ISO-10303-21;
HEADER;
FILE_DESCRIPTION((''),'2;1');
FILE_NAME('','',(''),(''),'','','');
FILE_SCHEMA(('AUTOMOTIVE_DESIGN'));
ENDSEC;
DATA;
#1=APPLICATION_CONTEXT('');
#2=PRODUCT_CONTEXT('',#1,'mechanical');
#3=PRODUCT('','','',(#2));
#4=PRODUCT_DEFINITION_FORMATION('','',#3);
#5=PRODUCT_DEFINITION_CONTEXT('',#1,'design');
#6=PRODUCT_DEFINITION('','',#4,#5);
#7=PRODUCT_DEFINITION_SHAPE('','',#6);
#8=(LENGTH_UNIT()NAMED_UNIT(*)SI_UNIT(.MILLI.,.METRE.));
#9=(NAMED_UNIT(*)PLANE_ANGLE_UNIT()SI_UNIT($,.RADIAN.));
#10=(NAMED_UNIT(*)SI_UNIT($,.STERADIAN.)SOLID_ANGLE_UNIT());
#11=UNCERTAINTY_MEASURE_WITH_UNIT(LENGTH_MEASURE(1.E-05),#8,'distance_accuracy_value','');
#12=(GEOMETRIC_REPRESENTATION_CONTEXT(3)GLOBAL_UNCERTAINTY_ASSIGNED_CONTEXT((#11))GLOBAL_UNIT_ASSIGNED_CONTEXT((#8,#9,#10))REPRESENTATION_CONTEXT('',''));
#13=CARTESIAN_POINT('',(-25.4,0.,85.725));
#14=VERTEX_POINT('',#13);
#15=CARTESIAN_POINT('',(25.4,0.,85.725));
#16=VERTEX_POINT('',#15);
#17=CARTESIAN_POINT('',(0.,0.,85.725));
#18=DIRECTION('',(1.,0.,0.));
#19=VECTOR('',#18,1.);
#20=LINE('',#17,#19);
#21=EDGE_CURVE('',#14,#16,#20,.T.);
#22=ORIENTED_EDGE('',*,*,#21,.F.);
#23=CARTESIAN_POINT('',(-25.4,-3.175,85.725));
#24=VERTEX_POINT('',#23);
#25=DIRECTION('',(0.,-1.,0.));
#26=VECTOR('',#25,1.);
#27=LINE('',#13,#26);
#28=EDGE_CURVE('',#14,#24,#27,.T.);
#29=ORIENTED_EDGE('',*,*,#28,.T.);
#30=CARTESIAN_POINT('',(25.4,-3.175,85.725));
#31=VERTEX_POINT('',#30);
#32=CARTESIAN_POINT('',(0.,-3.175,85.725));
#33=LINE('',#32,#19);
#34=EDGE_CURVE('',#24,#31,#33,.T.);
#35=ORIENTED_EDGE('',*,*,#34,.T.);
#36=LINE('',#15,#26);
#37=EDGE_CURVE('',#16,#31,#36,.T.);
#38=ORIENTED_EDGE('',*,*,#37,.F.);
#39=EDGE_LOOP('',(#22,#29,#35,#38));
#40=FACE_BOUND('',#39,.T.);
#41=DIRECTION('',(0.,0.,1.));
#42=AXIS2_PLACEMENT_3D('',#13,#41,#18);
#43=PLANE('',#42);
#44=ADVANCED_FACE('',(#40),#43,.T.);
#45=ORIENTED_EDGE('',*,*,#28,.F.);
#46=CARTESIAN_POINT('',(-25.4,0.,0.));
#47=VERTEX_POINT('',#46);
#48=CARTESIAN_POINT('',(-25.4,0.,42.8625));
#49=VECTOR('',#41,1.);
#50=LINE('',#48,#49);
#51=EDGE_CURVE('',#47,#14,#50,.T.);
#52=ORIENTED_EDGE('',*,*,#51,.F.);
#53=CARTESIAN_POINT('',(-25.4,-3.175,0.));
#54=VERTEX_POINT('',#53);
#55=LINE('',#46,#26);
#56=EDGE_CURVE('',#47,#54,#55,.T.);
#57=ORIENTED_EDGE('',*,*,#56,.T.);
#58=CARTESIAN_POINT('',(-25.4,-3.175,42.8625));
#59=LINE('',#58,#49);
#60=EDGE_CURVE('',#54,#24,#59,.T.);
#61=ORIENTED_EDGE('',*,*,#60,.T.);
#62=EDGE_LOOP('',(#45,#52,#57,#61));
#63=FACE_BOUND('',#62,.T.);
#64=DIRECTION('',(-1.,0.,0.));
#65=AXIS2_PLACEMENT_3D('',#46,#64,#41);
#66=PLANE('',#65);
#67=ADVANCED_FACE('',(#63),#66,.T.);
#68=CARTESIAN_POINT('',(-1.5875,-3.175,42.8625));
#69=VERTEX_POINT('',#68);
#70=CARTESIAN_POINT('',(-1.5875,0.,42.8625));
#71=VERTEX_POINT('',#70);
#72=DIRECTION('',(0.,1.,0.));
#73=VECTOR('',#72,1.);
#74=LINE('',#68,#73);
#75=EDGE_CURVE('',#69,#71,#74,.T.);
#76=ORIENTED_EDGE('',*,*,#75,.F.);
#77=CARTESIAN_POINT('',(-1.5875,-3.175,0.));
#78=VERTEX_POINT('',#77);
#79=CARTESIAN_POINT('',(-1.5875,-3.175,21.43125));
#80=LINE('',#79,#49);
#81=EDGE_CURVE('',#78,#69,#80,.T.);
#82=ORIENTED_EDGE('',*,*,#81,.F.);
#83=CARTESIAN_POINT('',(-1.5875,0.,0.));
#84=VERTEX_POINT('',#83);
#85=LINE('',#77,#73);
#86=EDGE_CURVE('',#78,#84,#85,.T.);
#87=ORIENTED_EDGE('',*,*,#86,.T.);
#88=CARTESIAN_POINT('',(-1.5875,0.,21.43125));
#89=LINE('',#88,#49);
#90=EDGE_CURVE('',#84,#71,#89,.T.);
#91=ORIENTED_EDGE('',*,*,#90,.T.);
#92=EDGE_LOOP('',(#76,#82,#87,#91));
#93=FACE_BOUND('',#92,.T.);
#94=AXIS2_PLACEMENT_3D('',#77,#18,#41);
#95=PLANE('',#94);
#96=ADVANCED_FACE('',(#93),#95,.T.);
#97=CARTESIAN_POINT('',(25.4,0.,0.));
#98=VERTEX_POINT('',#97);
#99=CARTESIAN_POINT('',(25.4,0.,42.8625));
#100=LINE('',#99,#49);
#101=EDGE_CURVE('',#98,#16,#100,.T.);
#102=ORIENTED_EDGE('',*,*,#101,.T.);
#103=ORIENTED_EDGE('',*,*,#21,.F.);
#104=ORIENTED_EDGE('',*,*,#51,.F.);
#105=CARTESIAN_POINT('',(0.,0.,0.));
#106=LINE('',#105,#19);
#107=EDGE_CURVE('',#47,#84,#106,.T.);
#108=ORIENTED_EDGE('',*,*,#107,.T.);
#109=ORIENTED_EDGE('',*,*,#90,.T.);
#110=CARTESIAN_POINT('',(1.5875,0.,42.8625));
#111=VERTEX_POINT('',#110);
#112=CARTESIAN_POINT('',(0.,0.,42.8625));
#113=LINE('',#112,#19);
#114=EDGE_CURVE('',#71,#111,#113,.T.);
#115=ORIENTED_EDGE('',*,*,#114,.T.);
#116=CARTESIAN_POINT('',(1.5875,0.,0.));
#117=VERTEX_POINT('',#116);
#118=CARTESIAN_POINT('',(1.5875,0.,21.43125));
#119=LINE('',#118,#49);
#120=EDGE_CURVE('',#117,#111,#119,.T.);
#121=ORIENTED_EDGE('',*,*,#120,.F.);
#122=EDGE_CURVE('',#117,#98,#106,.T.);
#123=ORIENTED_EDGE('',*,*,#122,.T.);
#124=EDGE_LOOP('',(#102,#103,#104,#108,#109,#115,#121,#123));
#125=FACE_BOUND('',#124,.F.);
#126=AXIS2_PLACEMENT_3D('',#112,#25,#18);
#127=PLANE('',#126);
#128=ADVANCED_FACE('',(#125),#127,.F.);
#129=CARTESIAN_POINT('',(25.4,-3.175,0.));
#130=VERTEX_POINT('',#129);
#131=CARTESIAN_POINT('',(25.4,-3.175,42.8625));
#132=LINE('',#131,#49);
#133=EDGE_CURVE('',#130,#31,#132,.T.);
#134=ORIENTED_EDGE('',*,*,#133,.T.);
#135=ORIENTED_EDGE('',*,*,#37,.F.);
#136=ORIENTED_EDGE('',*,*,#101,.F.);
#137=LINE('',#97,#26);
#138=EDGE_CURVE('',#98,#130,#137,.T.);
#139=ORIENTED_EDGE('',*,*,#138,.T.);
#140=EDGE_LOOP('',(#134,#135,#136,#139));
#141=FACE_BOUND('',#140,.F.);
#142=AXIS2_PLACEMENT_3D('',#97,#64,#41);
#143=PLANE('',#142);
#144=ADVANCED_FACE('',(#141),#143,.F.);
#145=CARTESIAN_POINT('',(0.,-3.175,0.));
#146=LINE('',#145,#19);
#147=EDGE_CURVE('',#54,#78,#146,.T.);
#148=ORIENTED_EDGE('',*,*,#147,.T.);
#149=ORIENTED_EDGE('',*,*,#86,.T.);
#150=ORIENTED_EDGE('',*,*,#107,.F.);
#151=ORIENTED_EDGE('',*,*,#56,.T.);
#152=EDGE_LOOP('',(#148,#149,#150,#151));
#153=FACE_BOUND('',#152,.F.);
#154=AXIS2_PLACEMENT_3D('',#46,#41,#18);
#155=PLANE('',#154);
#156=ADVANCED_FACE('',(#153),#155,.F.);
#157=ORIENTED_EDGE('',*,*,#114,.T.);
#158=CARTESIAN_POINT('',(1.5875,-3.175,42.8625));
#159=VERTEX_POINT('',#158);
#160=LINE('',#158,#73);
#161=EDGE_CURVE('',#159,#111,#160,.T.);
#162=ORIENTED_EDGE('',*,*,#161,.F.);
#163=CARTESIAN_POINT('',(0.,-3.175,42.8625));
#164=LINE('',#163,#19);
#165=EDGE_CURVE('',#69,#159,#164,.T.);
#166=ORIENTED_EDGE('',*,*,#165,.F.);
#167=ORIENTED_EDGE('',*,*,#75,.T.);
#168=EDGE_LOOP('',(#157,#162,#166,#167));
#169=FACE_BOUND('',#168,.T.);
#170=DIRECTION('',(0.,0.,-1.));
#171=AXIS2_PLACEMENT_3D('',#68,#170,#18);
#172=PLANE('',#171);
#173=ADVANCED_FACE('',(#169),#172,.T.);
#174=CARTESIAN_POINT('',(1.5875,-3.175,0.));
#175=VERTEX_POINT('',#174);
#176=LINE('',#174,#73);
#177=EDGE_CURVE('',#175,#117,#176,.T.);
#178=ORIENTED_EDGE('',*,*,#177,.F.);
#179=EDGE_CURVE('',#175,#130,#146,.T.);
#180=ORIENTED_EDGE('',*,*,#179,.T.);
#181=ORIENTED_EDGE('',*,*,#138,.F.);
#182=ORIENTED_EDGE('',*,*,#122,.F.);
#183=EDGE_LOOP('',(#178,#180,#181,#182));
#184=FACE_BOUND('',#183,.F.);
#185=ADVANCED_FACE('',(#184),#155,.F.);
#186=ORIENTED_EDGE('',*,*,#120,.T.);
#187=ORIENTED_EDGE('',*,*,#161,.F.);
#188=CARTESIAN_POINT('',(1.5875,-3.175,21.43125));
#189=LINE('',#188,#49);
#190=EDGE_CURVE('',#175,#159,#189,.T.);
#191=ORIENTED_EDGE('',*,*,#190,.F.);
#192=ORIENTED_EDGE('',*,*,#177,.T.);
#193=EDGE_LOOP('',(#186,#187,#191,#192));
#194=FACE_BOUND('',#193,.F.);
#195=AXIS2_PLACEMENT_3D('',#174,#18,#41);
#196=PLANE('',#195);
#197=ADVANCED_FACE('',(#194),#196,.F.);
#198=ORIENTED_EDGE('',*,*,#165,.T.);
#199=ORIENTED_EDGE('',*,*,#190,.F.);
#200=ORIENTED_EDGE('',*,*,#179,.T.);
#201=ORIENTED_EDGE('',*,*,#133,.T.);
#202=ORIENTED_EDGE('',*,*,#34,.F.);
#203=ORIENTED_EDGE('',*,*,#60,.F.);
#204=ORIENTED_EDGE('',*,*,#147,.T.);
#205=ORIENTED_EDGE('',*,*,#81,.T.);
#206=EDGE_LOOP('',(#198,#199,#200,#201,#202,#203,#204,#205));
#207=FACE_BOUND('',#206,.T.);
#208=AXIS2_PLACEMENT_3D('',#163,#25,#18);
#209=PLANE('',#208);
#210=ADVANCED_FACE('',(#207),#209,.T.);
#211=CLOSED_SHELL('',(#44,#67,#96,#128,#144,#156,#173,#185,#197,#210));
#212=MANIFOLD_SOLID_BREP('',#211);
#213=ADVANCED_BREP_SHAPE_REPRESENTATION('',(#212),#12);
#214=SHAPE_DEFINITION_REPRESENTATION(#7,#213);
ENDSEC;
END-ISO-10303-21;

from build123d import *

# Parameters (mm, degrees)
F0_W     = 50.8
F0_H     = 85.725
F1_DEPTH = 3.175
F2_W     = 3.175
F2_H     = 42.8625
F3_DEPTH = 3.175


with BuildPart() as f1:
    # F0 (on Front) → F1 (new body)
    with BuildSketch(Plane.XZ):
        with Locations((0, 42.8625)):
            Rectangle(F0_W, F0_H)
    extrude(amount=F1_DEPTH)

    # F2 (on face) → F3 (cut)
    with BuildSketch(Plane.XZ.offset(3.175)):
        with Locations((0, 21.43125)):
            Rectangle(F2_W, F2_H)
    extrude(amount=-F3_DEPTH, mode=Mode.SUBTRACT)


with BuildPart() as f4_1:
    # F4: copy of F1
    add(f1.part)


solid = f1.part
